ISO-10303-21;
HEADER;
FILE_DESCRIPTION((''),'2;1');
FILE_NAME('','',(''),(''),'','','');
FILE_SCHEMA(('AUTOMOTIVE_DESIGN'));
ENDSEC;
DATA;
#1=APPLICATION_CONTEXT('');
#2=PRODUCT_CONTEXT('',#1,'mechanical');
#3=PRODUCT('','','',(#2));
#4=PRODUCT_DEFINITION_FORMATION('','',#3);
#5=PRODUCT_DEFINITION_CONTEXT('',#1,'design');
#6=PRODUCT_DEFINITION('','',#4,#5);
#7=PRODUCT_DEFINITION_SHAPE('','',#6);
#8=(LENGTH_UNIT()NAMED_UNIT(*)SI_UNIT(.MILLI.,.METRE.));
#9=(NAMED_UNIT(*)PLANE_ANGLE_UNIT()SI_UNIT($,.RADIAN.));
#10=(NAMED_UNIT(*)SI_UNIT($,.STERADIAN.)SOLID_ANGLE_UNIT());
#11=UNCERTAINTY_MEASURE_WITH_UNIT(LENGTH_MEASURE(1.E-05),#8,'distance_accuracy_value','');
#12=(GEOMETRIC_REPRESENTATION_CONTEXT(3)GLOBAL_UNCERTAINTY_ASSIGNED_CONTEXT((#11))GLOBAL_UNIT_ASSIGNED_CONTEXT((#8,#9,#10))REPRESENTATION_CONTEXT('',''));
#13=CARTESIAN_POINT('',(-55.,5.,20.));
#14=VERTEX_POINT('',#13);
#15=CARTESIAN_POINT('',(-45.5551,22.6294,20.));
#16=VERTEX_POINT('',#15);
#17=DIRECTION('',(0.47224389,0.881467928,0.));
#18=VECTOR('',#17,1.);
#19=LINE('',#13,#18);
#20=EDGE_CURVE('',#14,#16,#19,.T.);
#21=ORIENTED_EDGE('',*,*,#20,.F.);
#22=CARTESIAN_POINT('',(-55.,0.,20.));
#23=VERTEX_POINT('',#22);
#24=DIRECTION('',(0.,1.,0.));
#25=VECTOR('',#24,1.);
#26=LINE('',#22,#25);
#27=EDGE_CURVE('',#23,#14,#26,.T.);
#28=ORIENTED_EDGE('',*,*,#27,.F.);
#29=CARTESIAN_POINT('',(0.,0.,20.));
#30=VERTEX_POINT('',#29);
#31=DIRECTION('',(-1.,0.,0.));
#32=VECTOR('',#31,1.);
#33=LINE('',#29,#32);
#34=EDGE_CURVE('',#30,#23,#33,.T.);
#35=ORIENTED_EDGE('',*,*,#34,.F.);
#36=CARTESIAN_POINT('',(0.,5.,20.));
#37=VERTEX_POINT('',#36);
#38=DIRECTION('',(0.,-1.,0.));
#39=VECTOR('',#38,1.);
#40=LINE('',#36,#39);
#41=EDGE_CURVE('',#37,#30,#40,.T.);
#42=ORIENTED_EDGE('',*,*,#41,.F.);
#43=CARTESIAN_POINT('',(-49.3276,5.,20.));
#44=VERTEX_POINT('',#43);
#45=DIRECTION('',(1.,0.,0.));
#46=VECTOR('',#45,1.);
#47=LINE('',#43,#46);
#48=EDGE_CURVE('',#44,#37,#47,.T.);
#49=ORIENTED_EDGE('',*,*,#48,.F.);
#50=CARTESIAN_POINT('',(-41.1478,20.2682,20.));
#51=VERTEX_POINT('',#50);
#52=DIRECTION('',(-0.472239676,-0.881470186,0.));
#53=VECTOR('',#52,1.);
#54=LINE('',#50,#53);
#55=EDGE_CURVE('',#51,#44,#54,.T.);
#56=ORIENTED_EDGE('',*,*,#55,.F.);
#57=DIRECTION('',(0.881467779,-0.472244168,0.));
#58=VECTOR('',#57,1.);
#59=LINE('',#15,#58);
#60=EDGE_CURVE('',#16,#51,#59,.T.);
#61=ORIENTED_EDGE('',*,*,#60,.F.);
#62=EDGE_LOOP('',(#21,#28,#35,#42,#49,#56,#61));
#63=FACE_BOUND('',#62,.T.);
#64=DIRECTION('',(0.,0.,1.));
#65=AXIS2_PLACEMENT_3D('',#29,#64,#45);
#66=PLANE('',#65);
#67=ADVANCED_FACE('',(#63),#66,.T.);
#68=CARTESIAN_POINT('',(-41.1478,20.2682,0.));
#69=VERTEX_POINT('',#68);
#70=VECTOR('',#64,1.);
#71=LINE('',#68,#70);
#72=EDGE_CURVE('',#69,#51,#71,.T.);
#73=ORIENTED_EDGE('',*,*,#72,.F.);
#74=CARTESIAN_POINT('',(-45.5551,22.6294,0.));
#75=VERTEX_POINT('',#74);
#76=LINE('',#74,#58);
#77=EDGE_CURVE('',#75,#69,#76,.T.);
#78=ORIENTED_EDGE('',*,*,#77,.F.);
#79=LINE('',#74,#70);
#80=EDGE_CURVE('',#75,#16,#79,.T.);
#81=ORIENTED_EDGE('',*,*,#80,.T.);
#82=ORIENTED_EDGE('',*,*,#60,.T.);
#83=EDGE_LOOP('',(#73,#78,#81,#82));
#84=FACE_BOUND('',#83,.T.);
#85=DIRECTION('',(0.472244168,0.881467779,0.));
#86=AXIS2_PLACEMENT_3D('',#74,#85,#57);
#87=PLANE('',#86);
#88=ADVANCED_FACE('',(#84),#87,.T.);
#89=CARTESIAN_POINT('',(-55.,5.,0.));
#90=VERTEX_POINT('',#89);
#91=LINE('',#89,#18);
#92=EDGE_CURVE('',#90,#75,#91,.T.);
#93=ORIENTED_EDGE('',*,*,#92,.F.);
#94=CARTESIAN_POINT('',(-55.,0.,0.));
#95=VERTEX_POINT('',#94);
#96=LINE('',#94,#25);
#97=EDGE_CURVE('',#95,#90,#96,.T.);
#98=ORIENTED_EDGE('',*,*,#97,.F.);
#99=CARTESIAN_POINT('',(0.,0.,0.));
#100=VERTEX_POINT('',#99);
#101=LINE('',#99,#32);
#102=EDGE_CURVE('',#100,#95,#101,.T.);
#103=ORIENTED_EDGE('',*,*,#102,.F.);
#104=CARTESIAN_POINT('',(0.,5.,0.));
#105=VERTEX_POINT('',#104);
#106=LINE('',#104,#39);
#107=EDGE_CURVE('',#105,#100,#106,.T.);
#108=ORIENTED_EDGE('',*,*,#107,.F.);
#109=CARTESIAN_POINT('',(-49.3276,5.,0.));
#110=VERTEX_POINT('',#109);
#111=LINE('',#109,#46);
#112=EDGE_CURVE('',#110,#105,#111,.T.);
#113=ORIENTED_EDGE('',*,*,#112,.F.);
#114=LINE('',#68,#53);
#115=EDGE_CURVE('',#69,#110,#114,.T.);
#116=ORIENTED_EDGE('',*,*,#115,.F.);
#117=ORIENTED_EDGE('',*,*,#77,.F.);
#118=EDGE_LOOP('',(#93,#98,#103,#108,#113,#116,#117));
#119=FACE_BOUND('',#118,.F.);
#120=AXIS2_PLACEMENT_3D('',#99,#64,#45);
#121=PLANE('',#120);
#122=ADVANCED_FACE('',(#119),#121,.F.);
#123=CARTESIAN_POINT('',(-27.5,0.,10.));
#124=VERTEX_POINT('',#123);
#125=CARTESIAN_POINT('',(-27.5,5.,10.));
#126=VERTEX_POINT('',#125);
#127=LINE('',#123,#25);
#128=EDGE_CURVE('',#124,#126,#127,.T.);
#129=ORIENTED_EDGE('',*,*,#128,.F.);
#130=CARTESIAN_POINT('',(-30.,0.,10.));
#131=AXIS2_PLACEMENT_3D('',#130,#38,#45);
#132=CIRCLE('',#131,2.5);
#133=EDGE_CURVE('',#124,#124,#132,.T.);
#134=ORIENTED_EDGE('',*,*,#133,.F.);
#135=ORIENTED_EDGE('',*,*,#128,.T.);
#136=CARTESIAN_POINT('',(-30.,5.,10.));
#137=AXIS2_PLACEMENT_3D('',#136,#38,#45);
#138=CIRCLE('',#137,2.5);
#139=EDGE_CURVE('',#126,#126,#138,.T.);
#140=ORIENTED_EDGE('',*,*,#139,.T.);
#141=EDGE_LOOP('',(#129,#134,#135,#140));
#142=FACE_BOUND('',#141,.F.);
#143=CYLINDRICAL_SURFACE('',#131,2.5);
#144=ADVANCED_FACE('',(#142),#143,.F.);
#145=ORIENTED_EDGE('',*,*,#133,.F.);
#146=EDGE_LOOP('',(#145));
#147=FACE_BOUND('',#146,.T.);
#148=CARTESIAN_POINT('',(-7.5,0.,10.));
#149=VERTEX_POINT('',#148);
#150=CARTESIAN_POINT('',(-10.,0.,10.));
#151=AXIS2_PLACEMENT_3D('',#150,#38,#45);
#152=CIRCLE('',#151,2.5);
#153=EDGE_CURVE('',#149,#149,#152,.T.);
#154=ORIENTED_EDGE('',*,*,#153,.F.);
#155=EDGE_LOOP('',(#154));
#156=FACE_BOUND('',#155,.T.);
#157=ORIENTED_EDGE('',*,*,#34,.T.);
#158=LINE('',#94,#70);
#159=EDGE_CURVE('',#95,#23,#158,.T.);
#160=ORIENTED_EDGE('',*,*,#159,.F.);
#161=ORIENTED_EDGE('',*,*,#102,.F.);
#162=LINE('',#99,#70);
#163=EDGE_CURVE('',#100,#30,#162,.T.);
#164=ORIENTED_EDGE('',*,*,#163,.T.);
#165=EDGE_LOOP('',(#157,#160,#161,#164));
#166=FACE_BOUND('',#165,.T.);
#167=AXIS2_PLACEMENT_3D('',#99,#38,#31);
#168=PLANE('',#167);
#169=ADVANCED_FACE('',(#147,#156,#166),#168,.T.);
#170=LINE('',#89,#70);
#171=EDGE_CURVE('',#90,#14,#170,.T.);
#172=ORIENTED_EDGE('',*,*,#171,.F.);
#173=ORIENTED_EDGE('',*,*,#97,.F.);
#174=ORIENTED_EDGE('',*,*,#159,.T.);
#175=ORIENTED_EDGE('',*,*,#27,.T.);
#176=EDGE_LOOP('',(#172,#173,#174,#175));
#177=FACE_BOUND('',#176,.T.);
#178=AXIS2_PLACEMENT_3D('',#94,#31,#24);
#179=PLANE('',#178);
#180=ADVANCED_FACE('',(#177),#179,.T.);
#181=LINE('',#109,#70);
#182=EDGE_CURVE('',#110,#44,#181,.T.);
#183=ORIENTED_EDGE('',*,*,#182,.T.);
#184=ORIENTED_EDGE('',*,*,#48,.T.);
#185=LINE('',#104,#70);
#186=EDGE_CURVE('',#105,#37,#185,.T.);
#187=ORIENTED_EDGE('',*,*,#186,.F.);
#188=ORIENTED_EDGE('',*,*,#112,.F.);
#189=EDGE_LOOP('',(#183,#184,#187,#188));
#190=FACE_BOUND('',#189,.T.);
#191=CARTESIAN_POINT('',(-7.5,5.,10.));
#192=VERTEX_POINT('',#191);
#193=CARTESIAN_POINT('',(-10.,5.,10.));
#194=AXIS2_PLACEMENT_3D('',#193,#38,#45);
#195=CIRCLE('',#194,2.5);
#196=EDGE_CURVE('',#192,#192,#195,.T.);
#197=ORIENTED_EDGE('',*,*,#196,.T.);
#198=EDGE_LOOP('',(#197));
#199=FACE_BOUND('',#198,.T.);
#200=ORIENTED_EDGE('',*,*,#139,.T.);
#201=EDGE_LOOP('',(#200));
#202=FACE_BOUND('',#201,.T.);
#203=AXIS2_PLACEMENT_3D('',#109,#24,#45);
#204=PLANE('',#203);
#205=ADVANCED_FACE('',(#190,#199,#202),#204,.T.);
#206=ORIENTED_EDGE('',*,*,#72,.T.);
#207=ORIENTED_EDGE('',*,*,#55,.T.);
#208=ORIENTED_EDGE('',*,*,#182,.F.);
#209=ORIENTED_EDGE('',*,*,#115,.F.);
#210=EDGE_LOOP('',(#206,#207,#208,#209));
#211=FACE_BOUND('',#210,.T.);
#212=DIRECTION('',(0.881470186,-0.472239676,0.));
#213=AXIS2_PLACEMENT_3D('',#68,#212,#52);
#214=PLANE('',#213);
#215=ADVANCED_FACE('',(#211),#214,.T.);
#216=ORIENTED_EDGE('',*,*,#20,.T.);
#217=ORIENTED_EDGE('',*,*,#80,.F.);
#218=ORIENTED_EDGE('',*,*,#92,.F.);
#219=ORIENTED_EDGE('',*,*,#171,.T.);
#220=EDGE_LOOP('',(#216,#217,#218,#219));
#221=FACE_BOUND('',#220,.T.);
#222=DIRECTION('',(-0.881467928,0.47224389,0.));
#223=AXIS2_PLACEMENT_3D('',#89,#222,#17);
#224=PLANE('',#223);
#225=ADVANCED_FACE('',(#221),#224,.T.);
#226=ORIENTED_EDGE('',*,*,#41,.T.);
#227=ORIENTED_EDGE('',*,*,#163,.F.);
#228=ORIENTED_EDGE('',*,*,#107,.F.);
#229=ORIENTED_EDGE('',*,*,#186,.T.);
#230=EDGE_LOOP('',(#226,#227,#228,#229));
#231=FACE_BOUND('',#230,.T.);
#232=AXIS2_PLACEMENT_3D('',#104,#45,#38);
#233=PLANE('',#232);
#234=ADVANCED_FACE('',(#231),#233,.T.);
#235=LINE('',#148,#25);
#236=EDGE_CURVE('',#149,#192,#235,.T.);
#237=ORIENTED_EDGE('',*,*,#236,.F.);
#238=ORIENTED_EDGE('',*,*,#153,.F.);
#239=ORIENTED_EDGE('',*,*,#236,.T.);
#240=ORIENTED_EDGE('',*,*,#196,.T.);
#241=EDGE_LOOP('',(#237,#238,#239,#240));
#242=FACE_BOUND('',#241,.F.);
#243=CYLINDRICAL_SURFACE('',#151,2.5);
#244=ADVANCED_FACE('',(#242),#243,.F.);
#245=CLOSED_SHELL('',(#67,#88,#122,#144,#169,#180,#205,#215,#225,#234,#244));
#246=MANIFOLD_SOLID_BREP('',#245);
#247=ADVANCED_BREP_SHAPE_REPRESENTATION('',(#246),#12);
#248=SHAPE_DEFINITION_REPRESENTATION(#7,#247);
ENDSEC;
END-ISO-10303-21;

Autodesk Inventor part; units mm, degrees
ref_plane "YZ Plane" through (0, 0, 0) normal (1, 0, 0) x (0, 1, 0)
ref_plane "XZ Plane" through (0, 0, 0) normal (0, 1, 0) x (-1, 0, 0)
ref_plane "XY Plane" through (0, 0, 0) normal (0, 0, 1) x (1, 0, 0)
sketch "スケッチ1" plane through (0, 0, 0) normal (0, 0, 1) x (1, 0, 0)
  line L0 (0, 0) -> (-55, 0)
  line L1 (-55, 0) -> (-55, 5)
  line L2 (-55, 5) -> (-45.5551, 22.6294)
  line L3 (-45.5551, 22.6294) -> (-41.1478, 20.2682)
  line L4 (-41.1478, 20.2682) -> (-49.3276, 5)
  line L5 (-49.3276, 5) -> (0, 5)
  line L6 (0, 5) -> (0, 0)
  dimension "d0" = 61.82
  dimension "d1" = 55
  dimension "d2" = 5
  dimension "d3" = 5
  dimension "d4" = 20
extrude "押し出し1" add sketch "スケッチ1" along normal blind 20
sketch "スケッチ2" plane through (-55, 0, 0) normal (0, -1, 0) x (1, 0, 0)
  line L0 (55, 0) -> (55, 20) projected
  line L1 (55, 10) -> (45, 10) construction
  circle A0 centre (45, 10) radius 2.5
  circle A1 centre (25, 10) radius 2.5
  dimension "d7" = 5
  dimension "d8" = 10
  dimension "d11" = 20
extrude "押し出し2" cut sketch "スケッチ2" against normal up to next
properties part number "防水5_3D プリント"
